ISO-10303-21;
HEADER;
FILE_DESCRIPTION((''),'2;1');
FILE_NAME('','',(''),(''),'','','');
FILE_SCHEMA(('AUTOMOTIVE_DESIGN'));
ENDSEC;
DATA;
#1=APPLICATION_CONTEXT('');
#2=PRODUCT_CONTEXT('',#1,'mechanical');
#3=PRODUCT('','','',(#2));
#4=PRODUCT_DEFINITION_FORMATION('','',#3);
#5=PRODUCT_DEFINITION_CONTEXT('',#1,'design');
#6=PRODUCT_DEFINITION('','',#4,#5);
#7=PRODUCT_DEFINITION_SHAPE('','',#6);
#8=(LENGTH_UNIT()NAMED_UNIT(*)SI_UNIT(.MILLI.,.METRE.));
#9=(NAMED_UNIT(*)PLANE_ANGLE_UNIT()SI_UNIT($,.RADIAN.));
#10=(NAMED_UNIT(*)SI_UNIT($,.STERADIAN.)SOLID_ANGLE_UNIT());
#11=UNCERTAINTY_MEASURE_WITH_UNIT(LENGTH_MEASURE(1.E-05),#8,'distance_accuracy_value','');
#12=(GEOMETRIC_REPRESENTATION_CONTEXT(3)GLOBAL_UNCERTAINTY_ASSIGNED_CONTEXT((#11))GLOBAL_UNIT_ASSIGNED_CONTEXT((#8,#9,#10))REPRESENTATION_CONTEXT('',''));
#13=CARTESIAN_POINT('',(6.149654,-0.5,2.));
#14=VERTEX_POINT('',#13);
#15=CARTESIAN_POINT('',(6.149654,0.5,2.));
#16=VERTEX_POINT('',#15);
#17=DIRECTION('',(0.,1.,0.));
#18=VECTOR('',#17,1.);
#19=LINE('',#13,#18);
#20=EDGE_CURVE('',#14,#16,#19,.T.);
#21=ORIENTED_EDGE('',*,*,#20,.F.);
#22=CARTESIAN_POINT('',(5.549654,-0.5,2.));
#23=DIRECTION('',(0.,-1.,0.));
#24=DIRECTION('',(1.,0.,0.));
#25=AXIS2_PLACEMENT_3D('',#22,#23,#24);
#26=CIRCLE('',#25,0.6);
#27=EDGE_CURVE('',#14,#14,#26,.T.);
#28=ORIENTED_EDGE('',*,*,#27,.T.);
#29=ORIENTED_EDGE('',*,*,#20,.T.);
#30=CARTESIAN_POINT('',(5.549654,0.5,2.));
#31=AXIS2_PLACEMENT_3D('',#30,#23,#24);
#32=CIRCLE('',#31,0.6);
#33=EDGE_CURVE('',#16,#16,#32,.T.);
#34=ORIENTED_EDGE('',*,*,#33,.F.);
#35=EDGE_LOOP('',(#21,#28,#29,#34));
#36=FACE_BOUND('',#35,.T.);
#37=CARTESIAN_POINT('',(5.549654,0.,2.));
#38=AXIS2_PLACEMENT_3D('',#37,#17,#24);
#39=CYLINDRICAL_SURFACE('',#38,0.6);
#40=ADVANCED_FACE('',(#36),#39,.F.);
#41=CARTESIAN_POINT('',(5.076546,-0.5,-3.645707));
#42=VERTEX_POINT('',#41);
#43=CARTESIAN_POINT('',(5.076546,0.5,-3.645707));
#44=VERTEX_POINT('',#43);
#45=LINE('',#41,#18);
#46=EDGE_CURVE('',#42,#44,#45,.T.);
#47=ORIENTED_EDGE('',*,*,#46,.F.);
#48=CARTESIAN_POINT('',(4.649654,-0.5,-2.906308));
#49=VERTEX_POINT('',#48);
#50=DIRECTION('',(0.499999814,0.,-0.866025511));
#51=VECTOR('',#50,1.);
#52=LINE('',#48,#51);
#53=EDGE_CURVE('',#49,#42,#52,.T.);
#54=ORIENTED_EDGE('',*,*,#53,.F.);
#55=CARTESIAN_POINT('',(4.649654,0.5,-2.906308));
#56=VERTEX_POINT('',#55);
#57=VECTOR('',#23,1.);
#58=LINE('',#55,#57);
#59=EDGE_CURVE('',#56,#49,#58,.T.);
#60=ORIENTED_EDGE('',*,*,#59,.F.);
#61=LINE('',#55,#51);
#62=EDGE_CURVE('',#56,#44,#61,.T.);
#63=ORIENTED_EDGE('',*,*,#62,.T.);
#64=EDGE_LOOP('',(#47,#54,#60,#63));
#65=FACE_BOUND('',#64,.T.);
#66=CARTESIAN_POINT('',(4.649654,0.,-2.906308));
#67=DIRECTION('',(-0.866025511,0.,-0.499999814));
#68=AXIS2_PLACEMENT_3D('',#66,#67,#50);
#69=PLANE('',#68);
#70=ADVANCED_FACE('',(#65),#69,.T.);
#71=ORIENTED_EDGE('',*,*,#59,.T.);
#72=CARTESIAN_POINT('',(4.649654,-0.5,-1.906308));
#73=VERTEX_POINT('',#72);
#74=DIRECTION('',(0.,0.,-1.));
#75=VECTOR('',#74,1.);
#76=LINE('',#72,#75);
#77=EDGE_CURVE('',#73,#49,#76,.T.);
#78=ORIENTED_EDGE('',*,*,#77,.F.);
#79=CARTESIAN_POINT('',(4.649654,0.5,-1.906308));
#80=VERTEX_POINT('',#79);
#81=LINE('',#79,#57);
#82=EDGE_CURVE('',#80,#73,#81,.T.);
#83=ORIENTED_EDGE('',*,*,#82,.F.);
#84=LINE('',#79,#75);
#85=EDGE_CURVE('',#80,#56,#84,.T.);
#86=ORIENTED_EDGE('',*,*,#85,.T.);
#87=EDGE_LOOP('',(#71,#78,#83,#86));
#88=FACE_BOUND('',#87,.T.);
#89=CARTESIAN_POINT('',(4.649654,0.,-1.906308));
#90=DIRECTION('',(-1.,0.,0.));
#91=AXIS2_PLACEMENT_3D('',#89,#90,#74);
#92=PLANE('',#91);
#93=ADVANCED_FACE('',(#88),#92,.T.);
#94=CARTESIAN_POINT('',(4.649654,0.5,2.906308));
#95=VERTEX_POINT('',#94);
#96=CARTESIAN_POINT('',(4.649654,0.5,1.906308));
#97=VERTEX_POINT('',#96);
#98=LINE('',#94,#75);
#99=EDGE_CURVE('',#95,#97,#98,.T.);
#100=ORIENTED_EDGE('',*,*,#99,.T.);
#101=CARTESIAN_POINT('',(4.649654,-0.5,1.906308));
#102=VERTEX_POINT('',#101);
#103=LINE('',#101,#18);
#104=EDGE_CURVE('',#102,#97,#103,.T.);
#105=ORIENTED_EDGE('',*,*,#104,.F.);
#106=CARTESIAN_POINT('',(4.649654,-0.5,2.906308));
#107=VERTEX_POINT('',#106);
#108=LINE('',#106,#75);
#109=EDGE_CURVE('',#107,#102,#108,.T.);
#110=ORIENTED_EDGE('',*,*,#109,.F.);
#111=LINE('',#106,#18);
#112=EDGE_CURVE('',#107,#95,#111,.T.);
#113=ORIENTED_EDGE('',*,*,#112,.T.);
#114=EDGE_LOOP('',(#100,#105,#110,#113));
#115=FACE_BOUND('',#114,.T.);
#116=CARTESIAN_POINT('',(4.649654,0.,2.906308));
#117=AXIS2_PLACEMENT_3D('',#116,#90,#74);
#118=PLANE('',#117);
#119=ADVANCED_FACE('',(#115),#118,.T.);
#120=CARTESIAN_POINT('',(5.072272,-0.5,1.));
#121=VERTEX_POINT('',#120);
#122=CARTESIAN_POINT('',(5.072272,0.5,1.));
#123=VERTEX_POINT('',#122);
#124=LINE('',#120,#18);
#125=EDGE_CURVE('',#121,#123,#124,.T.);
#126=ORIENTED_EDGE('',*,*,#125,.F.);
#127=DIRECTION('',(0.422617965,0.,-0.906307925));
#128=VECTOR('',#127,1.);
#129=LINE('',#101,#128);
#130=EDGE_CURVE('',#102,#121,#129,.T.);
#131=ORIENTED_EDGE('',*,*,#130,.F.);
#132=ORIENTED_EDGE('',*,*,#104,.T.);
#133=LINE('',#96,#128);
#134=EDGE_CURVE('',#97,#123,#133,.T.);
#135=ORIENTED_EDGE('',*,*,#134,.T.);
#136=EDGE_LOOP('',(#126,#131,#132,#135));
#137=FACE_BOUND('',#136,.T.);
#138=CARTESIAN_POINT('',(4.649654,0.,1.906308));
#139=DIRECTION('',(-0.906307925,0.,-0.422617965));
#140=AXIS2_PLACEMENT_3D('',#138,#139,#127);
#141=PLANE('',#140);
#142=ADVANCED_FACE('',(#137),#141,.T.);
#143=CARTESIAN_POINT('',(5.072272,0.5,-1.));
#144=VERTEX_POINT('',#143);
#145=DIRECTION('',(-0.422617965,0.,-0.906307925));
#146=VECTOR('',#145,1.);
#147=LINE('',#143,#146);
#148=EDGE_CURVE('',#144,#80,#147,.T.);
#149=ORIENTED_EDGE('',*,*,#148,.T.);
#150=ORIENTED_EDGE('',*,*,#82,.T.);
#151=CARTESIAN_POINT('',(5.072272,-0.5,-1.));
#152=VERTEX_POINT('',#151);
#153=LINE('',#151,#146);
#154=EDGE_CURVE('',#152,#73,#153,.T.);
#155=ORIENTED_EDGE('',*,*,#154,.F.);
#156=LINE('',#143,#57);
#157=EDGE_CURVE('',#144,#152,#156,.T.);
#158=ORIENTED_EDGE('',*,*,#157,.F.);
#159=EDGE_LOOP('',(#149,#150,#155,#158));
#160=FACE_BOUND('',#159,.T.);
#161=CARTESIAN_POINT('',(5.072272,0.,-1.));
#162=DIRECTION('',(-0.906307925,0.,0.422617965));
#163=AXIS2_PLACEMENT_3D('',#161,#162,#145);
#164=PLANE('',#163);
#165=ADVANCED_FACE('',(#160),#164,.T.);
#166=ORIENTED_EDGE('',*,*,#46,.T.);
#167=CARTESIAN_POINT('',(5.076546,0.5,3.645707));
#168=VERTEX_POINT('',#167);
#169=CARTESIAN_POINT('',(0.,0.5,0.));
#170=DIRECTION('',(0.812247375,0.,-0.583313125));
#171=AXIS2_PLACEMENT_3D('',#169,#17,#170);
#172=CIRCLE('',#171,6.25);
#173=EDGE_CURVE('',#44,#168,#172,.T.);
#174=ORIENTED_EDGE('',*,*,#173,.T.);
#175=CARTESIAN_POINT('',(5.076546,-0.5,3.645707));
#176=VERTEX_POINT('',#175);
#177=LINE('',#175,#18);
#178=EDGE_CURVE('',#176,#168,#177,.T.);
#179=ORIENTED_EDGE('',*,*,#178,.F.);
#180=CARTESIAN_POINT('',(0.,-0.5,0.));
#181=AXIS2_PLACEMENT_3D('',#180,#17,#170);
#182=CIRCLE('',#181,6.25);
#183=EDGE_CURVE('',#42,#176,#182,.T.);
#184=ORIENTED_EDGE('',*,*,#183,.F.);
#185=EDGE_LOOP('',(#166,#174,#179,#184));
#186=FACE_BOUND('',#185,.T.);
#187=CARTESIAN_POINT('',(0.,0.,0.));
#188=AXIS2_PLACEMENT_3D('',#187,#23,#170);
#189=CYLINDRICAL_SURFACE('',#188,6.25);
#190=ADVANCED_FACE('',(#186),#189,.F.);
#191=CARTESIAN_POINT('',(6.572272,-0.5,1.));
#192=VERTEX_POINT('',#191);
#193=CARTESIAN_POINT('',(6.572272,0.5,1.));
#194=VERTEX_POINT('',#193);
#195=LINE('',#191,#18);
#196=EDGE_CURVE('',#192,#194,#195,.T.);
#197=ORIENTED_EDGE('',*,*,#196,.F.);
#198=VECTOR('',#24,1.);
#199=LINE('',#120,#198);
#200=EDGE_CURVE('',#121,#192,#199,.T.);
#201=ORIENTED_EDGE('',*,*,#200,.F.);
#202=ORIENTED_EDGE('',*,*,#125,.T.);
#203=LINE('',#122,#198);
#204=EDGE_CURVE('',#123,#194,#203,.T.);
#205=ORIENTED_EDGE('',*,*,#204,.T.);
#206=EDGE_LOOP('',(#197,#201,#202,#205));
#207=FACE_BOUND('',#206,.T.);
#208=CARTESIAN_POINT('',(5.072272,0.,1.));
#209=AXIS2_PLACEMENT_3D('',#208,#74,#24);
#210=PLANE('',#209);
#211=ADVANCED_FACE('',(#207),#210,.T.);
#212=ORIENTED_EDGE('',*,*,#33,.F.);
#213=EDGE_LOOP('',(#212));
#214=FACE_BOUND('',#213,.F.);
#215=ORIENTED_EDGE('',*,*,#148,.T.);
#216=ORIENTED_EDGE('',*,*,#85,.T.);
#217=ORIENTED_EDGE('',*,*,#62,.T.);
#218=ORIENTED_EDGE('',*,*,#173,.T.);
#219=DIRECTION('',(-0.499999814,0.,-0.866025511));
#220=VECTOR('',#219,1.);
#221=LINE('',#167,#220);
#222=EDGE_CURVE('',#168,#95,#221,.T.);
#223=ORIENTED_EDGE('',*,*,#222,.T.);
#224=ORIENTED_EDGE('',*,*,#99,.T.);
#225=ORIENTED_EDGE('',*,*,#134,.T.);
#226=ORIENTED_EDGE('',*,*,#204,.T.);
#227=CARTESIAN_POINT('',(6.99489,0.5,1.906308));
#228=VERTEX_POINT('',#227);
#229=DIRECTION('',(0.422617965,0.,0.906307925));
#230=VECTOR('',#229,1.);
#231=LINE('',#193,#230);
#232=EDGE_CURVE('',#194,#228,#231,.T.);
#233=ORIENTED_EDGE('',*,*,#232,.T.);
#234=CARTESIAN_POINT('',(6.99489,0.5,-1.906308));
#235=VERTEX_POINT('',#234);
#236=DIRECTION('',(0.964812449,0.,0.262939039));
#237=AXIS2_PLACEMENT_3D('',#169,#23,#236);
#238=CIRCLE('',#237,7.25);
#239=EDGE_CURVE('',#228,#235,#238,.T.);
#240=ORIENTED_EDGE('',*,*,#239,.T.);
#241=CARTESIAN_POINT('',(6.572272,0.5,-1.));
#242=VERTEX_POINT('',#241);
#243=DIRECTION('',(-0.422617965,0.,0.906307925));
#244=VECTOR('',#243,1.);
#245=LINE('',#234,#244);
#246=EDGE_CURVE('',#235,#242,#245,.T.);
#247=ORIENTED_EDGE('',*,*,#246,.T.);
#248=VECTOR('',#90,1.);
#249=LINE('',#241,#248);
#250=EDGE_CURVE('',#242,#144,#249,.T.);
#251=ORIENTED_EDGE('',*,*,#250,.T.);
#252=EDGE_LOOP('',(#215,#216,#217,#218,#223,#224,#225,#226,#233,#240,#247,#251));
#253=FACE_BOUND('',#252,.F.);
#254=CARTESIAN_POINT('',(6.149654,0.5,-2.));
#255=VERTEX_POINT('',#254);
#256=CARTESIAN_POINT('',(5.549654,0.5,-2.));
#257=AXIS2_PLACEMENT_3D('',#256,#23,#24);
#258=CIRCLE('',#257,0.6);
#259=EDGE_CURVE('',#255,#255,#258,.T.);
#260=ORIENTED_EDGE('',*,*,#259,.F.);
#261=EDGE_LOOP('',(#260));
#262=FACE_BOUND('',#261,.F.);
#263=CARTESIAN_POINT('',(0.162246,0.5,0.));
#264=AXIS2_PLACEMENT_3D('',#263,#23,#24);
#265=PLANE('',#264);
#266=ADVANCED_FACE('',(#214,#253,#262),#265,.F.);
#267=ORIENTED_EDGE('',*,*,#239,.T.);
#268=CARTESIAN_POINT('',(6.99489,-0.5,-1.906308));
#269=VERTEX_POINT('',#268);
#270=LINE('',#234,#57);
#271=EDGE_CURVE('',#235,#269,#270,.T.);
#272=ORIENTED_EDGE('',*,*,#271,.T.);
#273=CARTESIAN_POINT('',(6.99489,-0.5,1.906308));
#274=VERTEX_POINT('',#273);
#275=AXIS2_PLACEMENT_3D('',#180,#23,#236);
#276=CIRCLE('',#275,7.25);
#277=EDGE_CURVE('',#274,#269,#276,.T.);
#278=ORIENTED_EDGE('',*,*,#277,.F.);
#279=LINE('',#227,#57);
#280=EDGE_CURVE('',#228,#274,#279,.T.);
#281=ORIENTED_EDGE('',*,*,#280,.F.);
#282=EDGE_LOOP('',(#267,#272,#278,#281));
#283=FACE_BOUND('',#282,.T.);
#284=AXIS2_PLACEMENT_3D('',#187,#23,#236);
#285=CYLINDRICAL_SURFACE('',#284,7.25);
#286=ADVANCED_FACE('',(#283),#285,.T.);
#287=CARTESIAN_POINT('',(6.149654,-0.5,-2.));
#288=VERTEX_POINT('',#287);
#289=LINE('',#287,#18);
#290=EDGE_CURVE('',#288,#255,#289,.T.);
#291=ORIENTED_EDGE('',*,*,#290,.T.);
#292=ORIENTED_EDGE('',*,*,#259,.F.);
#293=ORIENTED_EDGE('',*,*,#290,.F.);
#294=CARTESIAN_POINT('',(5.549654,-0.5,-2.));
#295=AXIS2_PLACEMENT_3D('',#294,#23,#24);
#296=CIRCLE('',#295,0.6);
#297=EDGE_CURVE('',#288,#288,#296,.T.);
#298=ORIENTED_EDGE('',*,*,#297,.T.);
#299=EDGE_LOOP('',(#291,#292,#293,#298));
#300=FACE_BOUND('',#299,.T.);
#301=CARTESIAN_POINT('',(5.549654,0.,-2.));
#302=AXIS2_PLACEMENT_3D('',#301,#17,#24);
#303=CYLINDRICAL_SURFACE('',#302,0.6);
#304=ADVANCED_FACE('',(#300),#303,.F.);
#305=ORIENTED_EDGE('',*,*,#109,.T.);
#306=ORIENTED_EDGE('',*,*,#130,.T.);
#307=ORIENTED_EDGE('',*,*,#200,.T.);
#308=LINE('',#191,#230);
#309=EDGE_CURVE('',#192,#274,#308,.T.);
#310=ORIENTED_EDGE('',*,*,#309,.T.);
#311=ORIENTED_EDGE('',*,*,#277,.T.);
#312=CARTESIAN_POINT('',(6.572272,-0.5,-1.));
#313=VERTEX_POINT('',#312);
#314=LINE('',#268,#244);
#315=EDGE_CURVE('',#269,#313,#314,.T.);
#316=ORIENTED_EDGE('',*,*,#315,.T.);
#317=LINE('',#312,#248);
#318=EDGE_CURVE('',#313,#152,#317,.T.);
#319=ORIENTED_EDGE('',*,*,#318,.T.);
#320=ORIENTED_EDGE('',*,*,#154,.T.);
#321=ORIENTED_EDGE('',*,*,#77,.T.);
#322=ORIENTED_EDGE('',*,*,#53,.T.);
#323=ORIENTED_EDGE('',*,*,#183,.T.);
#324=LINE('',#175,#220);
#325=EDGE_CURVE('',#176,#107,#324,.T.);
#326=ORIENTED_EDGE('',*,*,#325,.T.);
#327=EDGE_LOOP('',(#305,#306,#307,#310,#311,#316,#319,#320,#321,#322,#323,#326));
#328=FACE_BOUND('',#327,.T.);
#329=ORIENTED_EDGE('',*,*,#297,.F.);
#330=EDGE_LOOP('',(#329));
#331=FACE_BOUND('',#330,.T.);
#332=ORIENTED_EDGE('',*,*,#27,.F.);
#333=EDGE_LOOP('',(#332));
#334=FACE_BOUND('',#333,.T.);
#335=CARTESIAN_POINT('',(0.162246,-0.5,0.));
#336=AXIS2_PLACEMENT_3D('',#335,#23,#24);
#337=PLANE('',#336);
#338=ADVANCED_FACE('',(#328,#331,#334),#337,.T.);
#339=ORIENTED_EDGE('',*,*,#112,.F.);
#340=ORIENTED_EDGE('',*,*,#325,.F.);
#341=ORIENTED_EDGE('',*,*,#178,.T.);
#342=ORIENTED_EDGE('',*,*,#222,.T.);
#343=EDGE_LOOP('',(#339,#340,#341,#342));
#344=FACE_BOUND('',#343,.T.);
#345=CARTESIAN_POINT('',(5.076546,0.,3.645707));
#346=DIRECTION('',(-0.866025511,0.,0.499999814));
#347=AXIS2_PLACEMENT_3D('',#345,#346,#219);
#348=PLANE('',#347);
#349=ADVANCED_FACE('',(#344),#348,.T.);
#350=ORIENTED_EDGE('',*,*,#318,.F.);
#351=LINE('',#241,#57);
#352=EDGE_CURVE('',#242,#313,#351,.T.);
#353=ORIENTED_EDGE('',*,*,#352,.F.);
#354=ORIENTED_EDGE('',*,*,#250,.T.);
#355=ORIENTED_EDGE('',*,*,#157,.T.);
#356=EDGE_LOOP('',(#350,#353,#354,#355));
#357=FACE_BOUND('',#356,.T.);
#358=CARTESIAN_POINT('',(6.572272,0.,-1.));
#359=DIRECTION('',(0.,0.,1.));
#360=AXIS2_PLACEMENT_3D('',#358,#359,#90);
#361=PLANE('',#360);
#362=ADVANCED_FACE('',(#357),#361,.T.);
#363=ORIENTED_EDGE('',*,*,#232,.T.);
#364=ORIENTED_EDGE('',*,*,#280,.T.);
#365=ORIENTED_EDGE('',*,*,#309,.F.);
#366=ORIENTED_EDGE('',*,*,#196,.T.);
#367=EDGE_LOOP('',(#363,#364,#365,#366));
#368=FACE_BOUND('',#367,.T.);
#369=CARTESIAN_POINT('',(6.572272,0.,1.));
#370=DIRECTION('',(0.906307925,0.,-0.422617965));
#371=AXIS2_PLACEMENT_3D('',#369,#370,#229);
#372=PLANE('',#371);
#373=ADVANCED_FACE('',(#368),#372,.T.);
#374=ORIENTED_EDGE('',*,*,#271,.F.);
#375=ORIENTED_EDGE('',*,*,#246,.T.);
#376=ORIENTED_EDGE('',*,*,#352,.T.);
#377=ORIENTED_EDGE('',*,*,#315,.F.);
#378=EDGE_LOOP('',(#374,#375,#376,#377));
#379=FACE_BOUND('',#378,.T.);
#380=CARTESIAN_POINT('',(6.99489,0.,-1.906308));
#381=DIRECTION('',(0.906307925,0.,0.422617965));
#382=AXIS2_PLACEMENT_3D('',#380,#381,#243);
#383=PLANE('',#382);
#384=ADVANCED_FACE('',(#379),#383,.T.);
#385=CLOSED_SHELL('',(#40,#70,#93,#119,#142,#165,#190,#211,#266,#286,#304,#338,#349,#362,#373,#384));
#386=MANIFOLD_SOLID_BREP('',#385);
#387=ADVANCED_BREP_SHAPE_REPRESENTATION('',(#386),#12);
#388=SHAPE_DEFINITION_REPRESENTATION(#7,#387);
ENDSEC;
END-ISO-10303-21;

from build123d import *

# Parameters (mm, degrees)
F0_R     = 0.6
F1_DEPTH = 0.5


with BuildPart() as f1:
    # F0 (on Front) → F1 (new body, symmetric)
    with BuildSketch(Plane.XZ):
        with BuildLine():
            Line((6.572272, 1), (6.99489, 1.906308))
            ThreePointArc((6.99489, 1.906308), (-7.25, 0), (6.99489, -1.906308))
            Line((6.99489, -1.906308), (6.572272, -1))
            Line((6.572272, -1), (5.072272, -1))
            Line((5.072272, -1), (4.649654, -1.906308))
            Line((4.649654, -1.906308), (4.649654, -2.906308))
            Line((4.649654, -2.906308), (5.076546, -3.645707))
            ThreePointArc((5.076546, -3.645707), (-6.25, 0), (5.076546, 3.645707))
            Line((5.076546, 3.645707), (4.649654, 2.906308))
            Line((4.649654, 2.906308), (4.649654, 1.906308))
            Line((4.649654, 1.906308), (5.072272, 1))
            Line((5.072272, 1), (6.572272, 1))
        make_face()
        with Locations((5.549654, -2)):
            Circle(F0_R, mode=Mode.SUBTRACT)
        with Locations((5.549654, 2)):
            Circle(F0_R, mode=Mode.SUBTRACT)
    extrude(amount=F1_DEPTH, both=True)


solid = f1.part
